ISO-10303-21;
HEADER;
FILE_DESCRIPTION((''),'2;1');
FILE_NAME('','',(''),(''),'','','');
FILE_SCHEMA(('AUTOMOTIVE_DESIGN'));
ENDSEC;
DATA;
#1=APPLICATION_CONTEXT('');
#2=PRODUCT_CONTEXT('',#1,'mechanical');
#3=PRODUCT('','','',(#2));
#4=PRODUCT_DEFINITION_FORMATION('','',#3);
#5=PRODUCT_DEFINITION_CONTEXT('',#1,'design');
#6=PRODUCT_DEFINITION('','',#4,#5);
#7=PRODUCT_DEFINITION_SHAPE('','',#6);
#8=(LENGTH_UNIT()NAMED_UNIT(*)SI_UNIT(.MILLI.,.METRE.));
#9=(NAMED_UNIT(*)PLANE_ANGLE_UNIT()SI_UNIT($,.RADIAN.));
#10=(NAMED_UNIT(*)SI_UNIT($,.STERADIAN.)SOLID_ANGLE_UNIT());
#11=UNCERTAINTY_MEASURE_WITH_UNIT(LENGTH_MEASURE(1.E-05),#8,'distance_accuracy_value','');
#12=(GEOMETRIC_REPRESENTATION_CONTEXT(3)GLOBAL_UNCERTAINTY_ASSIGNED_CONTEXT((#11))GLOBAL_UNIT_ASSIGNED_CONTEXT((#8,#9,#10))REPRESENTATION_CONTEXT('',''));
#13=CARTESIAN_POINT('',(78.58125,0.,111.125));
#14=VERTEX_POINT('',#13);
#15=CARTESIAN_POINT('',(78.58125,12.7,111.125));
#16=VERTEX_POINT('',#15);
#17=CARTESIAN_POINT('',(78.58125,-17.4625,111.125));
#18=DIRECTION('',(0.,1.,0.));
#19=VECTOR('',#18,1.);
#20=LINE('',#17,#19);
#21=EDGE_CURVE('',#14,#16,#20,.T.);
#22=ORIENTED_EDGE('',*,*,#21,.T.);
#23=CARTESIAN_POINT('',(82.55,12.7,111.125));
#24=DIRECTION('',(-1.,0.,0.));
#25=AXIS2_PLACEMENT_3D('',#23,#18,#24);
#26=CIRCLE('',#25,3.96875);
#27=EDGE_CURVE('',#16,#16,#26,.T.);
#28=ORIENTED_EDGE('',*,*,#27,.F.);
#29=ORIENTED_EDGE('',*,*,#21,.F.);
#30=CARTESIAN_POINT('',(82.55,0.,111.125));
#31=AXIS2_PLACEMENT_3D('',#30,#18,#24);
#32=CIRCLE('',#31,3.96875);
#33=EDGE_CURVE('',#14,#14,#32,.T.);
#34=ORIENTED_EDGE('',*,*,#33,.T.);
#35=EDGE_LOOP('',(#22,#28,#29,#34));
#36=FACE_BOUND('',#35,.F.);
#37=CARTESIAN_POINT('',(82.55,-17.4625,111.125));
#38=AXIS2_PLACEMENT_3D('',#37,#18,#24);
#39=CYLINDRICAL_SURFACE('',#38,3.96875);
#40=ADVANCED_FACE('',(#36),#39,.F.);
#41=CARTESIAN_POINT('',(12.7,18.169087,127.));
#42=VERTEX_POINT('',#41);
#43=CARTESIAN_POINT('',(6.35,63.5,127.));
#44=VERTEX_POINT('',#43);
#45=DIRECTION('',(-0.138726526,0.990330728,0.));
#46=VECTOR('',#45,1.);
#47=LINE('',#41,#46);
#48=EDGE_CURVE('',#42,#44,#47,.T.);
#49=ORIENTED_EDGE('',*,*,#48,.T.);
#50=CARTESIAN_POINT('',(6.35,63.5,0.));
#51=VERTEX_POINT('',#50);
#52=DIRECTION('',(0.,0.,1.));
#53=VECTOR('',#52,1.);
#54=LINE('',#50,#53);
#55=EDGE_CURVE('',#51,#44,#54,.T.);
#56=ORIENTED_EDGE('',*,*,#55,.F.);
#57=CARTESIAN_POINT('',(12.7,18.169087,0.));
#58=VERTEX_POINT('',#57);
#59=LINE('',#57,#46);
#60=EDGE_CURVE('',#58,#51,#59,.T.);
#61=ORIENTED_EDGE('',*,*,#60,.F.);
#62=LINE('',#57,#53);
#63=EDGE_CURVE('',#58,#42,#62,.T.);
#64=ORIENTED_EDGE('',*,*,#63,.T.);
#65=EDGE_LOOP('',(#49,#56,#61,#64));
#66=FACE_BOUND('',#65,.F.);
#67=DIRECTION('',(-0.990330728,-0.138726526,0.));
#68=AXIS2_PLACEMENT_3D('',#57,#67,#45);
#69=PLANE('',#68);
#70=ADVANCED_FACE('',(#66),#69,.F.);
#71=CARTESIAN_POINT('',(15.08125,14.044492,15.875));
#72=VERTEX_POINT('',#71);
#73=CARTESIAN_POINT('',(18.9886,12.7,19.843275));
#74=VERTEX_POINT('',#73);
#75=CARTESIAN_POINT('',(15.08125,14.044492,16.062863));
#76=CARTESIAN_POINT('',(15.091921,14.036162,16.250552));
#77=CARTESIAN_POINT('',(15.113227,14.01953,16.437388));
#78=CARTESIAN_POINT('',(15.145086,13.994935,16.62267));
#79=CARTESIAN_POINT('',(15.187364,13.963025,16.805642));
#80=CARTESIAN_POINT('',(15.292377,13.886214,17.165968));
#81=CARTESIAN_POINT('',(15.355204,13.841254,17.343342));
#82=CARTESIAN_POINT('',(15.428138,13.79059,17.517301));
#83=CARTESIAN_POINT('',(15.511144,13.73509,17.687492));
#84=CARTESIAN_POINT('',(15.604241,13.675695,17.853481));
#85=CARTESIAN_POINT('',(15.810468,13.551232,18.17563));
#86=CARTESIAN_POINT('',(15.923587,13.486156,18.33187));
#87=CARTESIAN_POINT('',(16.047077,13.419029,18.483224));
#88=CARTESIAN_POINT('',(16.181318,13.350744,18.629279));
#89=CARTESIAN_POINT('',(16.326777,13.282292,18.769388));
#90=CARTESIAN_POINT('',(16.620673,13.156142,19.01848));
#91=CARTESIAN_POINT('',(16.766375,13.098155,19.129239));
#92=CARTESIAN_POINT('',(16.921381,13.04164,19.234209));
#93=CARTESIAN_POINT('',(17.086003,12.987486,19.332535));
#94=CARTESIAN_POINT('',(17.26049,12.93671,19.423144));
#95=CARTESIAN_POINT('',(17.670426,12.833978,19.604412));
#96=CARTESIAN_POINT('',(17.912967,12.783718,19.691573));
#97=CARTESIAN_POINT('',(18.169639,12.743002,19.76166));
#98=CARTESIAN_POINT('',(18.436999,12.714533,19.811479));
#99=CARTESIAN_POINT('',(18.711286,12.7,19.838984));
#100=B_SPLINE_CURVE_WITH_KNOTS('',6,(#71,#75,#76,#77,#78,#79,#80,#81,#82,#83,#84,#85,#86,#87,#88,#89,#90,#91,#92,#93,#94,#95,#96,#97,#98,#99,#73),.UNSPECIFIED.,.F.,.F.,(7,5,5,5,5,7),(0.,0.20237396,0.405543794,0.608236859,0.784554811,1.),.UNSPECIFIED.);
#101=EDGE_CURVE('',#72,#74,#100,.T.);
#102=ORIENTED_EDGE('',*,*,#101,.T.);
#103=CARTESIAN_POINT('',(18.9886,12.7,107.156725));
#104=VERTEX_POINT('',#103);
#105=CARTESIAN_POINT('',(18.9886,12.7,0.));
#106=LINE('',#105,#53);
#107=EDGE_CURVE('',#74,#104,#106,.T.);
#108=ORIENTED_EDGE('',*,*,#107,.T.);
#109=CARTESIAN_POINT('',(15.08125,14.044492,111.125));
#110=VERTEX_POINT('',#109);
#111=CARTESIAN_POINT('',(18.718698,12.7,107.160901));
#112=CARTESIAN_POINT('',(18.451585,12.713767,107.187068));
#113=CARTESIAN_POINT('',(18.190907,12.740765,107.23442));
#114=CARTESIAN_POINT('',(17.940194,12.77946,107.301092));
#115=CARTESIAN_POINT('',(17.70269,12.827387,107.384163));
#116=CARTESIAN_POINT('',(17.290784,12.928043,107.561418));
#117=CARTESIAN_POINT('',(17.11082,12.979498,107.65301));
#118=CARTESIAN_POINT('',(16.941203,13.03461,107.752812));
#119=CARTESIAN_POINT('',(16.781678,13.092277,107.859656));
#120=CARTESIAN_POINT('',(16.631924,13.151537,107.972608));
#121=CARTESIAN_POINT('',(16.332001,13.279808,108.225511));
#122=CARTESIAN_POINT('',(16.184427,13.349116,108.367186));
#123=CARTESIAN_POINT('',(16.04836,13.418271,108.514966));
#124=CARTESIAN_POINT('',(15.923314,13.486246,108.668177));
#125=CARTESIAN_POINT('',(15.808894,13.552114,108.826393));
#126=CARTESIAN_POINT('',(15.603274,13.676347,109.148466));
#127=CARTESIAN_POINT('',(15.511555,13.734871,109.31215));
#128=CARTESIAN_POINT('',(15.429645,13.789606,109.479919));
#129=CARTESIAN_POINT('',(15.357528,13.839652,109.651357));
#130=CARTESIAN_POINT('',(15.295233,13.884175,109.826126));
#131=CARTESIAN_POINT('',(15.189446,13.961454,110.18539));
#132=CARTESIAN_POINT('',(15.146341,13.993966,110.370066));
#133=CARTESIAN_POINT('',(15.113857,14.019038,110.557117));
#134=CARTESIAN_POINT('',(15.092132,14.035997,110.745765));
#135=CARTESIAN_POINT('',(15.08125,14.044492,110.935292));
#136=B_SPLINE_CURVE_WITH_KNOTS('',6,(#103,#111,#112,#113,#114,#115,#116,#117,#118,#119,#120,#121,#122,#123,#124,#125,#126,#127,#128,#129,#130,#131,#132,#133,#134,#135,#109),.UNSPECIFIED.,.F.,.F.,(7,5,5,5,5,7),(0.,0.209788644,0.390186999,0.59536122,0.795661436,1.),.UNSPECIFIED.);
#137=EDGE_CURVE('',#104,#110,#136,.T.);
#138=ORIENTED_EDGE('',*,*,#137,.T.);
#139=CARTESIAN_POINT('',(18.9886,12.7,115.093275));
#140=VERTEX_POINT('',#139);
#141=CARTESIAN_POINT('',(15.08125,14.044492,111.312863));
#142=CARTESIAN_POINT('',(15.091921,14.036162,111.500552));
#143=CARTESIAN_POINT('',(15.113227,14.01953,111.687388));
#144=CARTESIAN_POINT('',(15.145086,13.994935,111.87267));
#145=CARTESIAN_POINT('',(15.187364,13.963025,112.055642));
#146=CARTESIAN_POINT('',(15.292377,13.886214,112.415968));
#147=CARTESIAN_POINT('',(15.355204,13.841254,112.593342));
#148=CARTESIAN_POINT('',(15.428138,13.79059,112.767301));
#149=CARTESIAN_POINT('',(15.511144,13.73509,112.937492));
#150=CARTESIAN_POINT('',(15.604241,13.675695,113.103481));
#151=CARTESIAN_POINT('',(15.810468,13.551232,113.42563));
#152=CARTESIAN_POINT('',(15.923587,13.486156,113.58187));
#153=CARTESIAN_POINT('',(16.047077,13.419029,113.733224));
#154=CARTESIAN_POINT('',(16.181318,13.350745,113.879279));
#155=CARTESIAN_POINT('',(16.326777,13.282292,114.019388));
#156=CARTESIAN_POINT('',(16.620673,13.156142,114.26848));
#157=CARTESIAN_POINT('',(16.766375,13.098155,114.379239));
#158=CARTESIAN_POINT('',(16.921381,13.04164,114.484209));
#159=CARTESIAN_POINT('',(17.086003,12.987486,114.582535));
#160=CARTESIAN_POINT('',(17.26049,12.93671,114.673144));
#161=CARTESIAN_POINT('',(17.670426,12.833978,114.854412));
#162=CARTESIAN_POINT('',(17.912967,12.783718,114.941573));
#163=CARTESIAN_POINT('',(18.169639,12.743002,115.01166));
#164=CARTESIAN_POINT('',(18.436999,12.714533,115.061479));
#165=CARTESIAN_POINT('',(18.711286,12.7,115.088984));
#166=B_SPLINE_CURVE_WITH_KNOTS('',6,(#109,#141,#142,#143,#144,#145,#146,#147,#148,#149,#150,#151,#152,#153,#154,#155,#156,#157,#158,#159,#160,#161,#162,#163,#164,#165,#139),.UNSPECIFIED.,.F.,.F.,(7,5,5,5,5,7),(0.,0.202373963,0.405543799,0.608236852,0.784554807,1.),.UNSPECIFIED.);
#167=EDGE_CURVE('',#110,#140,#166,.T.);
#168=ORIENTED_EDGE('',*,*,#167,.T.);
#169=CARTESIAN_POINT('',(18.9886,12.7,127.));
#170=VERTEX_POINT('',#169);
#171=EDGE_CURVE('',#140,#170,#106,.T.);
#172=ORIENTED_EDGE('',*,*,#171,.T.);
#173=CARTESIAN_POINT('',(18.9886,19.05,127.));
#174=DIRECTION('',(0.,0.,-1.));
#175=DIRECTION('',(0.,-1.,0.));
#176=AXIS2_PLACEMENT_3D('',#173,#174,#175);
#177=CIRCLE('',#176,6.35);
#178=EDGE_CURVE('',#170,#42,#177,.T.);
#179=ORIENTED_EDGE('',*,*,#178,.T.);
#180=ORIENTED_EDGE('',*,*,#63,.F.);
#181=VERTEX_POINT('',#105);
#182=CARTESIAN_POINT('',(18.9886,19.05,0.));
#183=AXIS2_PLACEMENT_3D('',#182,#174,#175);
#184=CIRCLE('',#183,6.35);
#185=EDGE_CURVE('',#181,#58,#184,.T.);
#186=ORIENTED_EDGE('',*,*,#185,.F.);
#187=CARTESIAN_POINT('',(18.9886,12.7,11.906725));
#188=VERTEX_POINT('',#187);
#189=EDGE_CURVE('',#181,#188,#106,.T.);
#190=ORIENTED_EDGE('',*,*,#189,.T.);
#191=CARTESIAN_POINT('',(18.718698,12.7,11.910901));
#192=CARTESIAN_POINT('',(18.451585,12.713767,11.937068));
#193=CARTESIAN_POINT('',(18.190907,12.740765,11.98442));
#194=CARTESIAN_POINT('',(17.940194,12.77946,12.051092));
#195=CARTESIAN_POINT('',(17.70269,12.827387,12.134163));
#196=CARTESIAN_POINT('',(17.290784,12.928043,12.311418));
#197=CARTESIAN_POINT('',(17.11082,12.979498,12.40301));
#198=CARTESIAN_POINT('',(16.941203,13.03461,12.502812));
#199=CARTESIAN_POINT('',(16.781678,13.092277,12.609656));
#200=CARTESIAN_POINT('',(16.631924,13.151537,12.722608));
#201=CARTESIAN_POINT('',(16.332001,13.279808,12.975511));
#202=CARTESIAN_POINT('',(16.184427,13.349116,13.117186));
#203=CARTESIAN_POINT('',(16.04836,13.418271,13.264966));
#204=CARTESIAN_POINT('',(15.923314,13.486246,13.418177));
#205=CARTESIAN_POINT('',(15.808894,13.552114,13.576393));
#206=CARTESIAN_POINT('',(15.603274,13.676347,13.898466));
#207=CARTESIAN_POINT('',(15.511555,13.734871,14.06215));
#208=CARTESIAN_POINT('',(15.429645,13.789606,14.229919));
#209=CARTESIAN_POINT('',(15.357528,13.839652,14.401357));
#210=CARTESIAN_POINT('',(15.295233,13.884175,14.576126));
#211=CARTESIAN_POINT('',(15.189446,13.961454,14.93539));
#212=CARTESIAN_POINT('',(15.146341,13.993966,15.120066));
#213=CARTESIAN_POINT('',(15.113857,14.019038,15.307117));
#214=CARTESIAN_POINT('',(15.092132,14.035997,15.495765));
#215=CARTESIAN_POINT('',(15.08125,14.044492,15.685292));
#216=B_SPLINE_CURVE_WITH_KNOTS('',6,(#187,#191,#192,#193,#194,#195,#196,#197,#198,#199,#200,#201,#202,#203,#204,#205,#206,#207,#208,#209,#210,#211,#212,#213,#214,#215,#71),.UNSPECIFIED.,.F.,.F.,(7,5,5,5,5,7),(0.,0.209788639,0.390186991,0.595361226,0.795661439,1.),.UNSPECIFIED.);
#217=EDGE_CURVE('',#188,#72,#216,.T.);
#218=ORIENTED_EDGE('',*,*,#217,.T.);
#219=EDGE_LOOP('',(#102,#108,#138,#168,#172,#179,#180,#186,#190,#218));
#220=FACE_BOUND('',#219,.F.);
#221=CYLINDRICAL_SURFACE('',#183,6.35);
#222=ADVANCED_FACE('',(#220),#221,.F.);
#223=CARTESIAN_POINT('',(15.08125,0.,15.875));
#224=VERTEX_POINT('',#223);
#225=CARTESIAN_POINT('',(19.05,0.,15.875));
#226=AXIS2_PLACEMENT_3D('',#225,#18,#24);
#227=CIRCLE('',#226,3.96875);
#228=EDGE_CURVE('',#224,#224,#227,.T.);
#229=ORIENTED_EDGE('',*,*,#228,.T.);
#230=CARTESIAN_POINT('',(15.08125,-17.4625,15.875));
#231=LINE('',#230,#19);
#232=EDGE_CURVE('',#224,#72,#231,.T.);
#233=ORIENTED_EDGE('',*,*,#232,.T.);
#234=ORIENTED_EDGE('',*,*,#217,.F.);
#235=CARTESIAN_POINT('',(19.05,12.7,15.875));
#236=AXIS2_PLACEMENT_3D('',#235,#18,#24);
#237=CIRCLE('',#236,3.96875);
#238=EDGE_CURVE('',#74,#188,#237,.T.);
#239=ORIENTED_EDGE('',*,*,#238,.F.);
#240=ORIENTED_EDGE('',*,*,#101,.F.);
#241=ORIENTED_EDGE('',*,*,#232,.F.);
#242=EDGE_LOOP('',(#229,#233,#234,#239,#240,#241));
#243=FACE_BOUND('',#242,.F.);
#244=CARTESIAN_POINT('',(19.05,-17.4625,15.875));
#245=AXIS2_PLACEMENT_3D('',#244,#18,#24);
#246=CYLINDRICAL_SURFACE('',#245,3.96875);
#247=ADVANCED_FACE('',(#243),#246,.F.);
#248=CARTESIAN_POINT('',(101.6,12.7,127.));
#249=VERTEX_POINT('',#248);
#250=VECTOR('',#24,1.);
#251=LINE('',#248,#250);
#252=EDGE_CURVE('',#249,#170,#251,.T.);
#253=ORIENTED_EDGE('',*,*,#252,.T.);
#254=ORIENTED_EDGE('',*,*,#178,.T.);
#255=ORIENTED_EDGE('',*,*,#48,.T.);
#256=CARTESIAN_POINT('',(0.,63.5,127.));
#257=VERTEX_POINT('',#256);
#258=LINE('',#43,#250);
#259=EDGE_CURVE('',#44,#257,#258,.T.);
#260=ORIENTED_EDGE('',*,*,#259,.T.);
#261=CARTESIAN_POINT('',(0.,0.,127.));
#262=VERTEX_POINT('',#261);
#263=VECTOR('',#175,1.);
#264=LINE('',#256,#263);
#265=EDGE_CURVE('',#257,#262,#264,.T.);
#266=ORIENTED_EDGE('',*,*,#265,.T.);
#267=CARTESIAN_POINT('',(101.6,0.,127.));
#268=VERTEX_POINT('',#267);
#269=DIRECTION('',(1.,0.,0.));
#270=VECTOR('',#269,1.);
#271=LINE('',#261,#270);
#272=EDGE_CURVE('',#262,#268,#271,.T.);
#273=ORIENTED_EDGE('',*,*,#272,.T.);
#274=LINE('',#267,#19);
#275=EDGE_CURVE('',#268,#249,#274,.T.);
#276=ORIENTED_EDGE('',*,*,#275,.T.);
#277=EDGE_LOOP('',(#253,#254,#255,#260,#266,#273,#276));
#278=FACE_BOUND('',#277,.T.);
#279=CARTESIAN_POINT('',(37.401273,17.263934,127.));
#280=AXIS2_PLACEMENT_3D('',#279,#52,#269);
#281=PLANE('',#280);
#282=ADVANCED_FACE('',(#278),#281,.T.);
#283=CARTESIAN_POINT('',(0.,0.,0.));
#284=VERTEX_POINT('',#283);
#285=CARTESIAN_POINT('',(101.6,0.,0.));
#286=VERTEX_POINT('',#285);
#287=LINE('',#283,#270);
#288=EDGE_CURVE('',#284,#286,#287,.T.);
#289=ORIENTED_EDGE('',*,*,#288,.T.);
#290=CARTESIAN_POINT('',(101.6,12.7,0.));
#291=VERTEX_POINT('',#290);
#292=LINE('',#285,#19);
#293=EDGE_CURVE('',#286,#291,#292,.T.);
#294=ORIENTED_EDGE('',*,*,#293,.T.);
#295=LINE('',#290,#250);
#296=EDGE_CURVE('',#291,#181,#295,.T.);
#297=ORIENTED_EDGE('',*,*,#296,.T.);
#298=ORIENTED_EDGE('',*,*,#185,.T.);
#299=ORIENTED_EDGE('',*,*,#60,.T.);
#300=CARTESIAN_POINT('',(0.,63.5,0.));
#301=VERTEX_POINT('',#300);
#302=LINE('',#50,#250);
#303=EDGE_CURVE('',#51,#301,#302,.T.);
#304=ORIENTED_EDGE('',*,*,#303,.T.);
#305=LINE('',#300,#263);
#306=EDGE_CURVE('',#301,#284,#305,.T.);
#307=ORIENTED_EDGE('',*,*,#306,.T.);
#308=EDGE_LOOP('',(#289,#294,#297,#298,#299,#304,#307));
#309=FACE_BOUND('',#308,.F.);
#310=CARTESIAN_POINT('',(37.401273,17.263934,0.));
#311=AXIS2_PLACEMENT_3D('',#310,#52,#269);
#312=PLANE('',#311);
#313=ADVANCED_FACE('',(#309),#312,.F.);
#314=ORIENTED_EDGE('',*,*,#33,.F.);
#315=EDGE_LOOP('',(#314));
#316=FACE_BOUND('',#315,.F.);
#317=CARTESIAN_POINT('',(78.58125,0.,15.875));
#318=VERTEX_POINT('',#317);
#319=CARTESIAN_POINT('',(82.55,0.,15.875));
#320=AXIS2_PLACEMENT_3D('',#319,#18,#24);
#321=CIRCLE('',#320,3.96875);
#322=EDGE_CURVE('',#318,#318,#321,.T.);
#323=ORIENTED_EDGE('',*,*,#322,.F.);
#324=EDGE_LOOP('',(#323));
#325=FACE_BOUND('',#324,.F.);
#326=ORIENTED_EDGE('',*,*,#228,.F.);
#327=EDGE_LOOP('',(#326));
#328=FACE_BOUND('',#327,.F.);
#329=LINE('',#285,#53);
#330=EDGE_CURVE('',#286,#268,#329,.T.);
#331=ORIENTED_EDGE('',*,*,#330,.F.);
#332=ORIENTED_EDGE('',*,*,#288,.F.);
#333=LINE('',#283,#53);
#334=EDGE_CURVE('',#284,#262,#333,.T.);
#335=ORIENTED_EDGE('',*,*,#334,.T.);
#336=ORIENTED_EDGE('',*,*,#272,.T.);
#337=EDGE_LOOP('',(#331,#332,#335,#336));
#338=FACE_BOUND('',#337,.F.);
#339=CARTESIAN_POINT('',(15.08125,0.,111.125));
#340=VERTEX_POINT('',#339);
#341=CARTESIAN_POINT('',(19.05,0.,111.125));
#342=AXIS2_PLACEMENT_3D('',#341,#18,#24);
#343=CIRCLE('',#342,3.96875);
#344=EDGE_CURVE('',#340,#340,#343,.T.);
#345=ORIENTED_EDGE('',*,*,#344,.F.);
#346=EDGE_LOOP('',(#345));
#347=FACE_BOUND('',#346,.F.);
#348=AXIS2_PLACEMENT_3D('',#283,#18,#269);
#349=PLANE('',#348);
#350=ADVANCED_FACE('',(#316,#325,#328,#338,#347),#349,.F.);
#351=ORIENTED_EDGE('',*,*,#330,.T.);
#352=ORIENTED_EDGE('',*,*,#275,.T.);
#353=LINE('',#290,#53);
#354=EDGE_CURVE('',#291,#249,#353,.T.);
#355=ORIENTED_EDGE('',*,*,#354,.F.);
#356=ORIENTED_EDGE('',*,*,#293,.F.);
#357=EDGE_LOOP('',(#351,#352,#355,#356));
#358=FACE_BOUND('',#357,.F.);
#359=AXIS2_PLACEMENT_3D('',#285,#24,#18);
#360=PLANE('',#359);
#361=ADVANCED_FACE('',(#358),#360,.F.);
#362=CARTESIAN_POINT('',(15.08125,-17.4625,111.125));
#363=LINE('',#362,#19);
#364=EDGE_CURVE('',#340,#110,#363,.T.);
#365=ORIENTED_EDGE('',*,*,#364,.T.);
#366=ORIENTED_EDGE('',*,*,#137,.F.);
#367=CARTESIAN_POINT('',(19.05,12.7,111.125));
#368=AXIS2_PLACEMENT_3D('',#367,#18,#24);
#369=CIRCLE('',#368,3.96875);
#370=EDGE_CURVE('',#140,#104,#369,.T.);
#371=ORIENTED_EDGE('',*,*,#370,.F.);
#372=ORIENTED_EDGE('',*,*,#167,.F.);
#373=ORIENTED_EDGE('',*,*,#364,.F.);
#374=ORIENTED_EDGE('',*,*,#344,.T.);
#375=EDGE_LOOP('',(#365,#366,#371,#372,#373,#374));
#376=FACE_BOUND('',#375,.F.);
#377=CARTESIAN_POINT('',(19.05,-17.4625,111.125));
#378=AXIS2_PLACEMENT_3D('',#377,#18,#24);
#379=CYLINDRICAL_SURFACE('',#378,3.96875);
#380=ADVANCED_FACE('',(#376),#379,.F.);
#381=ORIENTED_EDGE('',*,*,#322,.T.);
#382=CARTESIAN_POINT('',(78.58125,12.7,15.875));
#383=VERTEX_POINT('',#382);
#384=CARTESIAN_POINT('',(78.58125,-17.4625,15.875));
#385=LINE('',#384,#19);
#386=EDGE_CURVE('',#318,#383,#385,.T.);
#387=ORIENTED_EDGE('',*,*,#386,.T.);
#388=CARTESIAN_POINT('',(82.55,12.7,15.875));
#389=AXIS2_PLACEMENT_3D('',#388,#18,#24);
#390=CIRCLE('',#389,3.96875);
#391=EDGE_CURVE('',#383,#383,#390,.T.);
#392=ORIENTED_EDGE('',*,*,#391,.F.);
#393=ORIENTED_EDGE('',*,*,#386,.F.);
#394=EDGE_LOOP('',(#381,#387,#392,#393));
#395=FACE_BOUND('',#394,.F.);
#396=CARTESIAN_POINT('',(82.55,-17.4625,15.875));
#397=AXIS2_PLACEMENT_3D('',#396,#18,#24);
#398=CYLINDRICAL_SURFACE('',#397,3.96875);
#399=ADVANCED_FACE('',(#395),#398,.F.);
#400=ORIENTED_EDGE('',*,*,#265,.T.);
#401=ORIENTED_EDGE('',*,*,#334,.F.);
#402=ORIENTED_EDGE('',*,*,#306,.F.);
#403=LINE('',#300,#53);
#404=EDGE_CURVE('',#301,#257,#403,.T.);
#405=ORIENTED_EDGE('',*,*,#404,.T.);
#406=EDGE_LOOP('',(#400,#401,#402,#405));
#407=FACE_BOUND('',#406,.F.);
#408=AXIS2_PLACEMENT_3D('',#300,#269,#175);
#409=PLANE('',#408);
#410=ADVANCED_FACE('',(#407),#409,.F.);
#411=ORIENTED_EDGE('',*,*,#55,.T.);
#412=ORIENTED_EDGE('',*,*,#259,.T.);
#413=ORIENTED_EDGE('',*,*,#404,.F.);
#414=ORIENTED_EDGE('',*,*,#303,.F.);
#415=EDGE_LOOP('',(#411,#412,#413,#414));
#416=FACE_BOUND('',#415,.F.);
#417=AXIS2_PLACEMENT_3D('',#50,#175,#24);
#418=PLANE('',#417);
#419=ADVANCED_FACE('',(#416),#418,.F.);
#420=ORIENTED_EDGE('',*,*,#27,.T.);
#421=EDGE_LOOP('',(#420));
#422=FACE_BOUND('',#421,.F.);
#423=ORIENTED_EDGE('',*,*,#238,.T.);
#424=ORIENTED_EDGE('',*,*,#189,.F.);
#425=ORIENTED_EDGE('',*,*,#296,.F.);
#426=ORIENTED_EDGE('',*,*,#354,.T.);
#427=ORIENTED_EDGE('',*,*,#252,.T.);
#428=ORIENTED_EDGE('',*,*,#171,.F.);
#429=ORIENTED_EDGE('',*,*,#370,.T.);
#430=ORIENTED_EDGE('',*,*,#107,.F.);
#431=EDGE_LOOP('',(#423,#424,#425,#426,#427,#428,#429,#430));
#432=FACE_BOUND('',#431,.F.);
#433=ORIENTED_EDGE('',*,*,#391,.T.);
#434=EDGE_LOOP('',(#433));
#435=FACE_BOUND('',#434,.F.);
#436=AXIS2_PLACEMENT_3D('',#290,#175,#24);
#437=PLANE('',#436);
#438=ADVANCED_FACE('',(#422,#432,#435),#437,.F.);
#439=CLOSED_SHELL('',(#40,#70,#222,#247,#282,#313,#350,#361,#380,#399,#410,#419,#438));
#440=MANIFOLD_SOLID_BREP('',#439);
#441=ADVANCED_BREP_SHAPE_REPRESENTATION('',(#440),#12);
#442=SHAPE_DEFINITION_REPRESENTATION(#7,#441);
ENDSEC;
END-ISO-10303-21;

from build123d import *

# Parameters (mm, degrees)
F1_DEPTH = 127
F3_D     = 7.9375
F3_DEPTH = 17.4625
F3_TIP   = 2.3846655818


with BuildPart() as f1:
    # F0 (on Top) → F1 (new body)
    with BuildSketch(Plane.XY):
        with BuildLine():
            Line((0, 63.5), (0, 0))
            Line((0, 0), (101.6, 0))
            Line((101.6, 0), (101.6, 12.7))
            Line((101.6, 12.7), (18.9886001237, 12.7))
            ThreePointArc((18.9886001237, 12.7), (14.8215448282, 14.2585336102), (12.7, 18.1690865624))
            Line((12.7, 18.1690865624), (6.35, 63.5))
            Line((6.35, 63.5), (0, 63.5))
        make_face()
    extrude(amount=F1_DEPTH)

    # F3
    with Locations(Plane.XZ):
        with Locations((19.05, 111.125), (82.55, 111.125), (82.55, 15.875), (19.05, 15.875)):
            Hole(F3_D / 2, depth=F3_DEPTH)
            with Locations((0, 0, -(F3_DEPTH + F3_TIP / 2))):  # 118° drill point
                Cone(0, F3_D / 2, F3_TIP, mode=Mode.SUBTRACT)


solid = f1.part
